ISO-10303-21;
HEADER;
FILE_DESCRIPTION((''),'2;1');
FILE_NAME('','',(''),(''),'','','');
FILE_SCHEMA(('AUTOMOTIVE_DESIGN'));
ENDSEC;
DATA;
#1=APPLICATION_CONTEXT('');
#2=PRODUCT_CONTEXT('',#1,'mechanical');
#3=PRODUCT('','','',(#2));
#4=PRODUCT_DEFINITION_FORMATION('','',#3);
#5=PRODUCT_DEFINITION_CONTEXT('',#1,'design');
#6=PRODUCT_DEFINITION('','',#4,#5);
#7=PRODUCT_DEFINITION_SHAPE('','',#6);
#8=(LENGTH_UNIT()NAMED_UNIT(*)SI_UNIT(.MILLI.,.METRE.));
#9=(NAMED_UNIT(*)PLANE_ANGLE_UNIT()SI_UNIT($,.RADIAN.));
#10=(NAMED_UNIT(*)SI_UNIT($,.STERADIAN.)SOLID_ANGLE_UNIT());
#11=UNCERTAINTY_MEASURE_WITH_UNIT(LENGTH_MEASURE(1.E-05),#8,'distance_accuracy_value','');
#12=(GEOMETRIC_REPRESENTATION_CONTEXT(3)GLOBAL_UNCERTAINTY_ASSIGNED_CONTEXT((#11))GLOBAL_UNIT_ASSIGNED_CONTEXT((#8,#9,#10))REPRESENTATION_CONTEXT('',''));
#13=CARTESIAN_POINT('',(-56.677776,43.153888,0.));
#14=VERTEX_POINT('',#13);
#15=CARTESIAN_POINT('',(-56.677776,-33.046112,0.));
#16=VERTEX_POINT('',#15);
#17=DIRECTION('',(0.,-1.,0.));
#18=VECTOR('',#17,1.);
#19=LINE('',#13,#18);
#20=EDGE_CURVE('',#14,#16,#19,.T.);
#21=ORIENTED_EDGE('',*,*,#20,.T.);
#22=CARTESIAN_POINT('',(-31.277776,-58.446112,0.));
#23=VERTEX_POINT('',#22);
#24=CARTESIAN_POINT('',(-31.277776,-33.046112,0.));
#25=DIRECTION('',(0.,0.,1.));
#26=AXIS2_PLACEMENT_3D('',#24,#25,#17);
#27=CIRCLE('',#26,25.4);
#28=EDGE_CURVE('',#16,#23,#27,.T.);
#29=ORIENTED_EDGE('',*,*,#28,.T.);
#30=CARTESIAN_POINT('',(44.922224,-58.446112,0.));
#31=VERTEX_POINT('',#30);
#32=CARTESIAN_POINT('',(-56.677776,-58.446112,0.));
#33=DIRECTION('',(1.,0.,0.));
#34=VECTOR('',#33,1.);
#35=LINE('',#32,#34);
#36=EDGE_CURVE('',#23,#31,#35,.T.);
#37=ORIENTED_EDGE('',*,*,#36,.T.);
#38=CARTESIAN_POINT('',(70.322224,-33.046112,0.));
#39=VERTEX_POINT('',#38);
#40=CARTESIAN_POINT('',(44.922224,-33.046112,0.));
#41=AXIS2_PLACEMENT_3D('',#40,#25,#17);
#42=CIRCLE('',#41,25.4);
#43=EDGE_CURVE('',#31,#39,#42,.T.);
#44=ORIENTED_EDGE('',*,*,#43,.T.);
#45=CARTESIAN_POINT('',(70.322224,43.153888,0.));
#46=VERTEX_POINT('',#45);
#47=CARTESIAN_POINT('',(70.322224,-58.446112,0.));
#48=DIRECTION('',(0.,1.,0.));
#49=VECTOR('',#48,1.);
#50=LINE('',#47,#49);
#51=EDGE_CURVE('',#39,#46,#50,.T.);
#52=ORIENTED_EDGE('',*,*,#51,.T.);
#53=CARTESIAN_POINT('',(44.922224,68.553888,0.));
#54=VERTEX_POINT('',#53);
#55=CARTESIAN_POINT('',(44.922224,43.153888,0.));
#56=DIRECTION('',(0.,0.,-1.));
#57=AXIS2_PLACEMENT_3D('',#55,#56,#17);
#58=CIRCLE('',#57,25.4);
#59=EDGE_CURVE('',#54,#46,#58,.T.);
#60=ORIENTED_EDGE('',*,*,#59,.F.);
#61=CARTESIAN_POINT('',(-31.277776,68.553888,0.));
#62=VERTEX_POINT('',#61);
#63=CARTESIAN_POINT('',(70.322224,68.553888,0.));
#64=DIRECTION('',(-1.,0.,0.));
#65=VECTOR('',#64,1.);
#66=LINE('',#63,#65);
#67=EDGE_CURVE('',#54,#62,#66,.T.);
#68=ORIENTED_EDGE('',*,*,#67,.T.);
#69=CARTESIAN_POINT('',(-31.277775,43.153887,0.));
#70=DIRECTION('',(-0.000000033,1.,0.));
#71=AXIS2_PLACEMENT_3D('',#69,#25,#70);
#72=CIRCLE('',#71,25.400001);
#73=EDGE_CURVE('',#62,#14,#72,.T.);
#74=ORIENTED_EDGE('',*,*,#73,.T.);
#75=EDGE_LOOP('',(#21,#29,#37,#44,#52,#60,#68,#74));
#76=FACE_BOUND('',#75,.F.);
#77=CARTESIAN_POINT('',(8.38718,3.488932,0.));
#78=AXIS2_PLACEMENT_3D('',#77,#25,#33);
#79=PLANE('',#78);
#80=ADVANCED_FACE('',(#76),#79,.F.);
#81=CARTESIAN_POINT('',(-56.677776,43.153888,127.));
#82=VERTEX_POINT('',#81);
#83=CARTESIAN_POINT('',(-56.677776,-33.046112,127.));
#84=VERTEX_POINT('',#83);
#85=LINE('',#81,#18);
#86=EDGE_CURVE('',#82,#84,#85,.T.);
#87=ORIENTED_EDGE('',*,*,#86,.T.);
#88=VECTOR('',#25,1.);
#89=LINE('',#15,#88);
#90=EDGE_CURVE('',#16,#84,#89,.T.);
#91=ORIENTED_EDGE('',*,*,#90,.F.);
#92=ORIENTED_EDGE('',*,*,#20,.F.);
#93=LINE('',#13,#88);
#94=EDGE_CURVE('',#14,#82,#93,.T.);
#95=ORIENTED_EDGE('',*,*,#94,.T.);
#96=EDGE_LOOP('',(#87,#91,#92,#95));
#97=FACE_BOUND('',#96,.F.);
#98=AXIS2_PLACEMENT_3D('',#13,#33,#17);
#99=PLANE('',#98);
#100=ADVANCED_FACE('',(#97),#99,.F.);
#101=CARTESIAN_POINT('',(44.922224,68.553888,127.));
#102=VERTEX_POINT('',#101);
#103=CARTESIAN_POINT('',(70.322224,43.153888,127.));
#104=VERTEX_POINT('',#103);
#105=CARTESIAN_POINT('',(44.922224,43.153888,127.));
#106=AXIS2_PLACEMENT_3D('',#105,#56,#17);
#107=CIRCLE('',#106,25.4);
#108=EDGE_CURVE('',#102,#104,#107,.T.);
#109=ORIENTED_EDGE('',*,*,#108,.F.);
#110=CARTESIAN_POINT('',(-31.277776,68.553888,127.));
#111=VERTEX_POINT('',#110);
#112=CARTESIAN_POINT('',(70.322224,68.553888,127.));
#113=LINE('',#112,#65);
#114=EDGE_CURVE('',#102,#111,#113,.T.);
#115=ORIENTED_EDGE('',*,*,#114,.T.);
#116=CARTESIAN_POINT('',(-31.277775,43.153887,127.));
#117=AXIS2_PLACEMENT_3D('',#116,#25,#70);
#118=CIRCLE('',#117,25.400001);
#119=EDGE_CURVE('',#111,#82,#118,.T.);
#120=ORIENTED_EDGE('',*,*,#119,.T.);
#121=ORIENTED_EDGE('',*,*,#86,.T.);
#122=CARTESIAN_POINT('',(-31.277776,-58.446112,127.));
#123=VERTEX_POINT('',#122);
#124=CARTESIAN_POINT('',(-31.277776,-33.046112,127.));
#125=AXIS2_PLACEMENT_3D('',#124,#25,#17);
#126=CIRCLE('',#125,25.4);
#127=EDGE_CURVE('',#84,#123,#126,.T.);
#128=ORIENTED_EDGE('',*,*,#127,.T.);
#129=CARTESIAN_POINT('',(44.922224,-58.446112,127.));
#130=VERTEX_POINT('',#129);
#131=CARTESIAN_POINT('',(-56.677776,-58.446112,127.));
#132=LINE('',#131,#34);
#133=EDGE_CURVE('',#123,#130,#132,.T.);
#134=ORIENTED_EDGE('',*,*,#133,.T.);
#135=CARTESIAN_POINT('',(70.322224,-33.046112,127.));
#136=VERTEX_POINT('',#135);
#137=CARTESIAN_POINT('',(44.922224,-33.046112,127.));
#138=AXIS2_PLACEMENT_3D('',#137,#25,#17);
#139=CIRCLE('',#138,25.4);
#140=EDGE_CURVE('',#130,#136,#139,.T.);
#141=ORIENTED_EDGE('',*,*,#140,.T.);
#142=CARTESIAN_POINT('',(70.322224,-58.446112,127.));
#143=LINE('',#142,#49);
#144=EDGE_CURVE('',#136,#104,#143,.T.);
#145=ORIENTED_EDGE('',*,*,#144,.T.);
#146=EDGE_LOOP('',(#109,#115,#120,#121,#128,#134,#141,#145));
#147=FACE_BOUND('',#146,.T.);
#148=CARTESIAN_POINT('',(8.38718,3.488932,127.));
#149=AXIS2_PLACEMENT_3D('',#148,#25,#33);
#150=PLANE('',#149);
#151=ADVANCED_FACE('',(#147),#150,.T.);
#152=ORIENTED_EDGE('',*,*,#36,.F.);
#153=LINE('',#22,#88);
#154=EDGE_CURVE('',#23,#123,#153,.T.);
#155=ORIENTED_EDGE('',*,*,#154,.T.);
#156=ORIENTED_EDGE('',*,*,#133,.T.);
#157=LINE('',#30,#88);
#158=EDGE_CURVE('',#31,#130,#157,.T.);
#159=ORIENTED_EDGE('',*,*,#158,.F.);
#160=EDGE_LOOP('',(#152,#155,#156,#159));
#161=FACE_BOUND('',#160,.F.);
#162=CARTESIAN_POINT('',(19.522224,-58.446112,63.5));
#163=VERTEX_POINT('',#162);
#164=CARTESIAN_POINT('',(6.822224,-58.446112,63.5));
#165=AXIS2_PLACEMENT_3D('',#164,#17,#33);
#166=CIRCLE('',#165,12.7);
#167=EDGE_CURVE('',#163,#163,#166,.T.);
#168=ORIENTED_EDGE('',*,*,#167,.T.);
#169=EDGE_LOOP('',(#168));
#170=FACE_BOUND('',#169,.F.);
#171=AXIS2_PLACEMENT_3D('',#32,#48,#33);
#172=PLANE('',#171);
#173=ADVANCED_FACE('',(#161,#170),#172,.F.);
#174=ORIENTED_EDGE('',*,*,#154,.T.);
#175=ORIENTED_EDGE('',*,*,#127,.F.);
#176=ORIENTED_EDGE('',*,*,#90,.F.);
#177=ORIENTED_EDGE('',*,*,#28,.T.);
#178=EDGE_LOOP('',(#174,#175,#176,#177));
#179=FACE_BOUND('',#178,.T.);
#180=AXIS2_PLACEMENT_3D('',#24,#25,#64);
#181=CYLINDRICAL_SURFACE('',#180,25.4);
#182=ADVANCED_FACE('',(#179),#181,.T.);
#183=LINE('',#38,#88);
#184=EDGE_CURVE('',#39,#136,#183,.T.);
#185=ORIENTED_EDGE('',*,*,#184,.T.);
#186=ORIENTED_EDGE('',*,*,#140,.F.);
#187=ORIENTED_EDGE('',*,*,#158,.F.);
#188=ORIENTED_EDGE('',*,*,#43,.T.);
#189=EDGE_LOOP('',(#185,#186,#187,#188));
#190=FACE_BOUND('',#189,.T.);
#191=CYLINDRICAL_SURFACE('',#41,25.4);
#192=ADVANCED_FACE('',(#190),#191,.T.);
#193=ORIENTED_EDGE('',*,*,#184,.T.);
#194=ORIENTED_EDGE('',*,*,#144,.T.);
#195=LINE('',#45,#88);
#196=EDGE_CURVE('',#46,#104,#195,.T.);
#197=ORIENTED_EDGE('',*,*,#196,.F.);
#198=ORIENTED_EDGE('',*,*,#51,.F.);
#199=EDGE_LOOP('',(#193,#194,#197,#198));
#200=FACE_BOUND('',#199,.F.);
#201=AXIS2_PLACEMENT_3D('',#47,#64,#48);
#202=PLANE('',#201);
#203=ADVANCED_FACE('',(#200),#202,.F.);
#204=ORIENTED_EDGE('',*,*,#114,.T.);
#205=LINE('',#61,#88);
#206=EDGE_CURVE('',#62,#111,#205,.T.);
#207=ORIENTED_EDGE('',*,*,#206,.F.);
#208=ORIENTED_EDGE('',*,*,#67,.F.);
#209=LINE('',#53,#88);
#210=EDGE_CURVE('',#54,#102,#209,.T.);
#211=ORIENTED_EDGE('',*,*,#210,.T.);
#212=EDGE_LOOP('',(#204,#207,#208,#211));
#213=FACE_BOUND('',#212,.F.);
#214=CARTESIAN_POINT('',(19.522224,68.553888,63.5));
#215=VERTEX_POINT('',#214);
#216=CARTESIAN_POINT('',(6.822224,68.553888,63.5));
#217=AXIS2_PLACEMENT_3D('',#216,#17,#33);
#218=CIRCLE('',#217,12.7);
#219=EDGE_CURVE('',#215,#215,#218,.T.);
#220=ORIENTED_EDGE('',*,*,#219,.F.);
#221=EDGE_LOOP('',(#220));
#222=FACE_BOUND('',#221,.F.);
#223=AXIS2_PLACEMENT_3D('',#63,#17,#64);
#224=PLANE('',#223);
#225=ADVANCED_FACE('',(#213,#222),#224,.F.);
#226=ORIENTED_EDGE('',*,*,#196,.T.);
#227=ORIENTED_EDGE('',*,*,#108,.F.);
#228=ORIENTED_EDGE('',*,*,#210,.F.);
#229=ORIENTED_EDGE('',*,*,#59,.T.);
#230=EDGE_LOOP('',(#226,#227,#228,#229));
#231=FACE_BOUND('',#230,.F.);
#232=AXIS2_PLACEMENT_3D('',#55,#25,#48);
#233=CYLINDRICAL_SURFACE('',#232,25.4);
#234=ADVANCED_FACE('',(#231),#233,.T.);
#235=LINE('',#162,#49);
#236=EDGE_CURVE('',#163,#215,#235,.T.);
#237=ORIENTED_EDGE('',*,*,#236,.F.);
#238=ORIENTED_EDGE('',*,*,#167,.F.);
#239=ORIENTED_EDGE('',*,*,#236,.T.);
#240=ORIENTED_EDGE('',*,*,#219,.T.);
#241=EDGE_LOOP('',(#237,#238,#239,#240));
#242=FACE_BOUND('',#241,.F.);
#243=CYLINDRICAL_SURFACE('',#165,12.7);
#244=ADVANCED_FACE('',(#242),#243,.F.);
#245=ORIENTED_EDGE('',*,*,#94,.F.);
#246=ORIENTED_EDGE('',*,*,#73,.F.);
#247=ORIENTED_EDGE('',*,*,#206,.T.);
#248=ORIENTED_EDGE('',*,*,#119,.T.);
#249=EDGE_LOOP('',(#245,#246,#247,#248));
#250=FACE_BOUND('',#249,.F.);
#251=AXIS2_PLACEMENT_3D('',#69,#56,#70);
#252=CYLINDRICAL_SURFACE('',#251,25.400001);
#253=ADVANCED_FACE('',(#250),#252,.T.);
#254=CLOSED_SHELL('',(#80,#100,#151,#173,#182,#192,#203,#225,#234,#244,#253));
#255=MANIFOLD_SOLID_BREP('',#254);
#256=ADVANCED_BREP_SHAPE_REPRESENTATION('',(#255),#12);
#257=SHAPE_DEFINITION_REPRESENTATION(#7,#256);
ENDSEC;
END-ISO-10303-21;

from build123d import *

# Parameters (mm, degrees)
F1_DEPTH = 127
F2_R     = 25.4
F3_R     = 12.7
F4_DEPTH = 127.001


with BuildPart() as f1:
    # F0 (on Top) → F1 (new body)
    with BuildSketch(Plane.XY):
        with BuildLine():
            Line((70.322224, 68.553888), (-31.277776, 68.553888))
            ThreePointArc((-31.277776, 68.553888), (-49.238288, 61.1144), (-56.677776, 43.153888))
            Line((-56.677776, 43.153888), (-56.677776, -58.446112))
            Line((-56.677776, -58.446112), (70.322224, -58.446112))
            Line((70.322224, -58.446112), (70.322224, 68.553888))
        make_face()
    extrude(amount=F1_DEPTH)

    # F2
    f2_edges = [f1.edges().sort_by_distance(p)[0] for p in [
        (70.322224, 68.553888, 63.5),
        (70.322224, -58.446112, 63.5),
        (-56.677776, -58.446112, 63.5),
    ]]
    fillet(f2_edges, radius=F2_R)

    # F3 (on face) → F4 (cut, through all)
    with BuildSketch(Plane.XZ.offset(58.446112)):
        with Locations((6.822224, 63.5)):
            Circle(F3_R)
    extrude(amount=-F4_DEPTH, mode=Mode.SUBTRACT)


solid = f1.part
